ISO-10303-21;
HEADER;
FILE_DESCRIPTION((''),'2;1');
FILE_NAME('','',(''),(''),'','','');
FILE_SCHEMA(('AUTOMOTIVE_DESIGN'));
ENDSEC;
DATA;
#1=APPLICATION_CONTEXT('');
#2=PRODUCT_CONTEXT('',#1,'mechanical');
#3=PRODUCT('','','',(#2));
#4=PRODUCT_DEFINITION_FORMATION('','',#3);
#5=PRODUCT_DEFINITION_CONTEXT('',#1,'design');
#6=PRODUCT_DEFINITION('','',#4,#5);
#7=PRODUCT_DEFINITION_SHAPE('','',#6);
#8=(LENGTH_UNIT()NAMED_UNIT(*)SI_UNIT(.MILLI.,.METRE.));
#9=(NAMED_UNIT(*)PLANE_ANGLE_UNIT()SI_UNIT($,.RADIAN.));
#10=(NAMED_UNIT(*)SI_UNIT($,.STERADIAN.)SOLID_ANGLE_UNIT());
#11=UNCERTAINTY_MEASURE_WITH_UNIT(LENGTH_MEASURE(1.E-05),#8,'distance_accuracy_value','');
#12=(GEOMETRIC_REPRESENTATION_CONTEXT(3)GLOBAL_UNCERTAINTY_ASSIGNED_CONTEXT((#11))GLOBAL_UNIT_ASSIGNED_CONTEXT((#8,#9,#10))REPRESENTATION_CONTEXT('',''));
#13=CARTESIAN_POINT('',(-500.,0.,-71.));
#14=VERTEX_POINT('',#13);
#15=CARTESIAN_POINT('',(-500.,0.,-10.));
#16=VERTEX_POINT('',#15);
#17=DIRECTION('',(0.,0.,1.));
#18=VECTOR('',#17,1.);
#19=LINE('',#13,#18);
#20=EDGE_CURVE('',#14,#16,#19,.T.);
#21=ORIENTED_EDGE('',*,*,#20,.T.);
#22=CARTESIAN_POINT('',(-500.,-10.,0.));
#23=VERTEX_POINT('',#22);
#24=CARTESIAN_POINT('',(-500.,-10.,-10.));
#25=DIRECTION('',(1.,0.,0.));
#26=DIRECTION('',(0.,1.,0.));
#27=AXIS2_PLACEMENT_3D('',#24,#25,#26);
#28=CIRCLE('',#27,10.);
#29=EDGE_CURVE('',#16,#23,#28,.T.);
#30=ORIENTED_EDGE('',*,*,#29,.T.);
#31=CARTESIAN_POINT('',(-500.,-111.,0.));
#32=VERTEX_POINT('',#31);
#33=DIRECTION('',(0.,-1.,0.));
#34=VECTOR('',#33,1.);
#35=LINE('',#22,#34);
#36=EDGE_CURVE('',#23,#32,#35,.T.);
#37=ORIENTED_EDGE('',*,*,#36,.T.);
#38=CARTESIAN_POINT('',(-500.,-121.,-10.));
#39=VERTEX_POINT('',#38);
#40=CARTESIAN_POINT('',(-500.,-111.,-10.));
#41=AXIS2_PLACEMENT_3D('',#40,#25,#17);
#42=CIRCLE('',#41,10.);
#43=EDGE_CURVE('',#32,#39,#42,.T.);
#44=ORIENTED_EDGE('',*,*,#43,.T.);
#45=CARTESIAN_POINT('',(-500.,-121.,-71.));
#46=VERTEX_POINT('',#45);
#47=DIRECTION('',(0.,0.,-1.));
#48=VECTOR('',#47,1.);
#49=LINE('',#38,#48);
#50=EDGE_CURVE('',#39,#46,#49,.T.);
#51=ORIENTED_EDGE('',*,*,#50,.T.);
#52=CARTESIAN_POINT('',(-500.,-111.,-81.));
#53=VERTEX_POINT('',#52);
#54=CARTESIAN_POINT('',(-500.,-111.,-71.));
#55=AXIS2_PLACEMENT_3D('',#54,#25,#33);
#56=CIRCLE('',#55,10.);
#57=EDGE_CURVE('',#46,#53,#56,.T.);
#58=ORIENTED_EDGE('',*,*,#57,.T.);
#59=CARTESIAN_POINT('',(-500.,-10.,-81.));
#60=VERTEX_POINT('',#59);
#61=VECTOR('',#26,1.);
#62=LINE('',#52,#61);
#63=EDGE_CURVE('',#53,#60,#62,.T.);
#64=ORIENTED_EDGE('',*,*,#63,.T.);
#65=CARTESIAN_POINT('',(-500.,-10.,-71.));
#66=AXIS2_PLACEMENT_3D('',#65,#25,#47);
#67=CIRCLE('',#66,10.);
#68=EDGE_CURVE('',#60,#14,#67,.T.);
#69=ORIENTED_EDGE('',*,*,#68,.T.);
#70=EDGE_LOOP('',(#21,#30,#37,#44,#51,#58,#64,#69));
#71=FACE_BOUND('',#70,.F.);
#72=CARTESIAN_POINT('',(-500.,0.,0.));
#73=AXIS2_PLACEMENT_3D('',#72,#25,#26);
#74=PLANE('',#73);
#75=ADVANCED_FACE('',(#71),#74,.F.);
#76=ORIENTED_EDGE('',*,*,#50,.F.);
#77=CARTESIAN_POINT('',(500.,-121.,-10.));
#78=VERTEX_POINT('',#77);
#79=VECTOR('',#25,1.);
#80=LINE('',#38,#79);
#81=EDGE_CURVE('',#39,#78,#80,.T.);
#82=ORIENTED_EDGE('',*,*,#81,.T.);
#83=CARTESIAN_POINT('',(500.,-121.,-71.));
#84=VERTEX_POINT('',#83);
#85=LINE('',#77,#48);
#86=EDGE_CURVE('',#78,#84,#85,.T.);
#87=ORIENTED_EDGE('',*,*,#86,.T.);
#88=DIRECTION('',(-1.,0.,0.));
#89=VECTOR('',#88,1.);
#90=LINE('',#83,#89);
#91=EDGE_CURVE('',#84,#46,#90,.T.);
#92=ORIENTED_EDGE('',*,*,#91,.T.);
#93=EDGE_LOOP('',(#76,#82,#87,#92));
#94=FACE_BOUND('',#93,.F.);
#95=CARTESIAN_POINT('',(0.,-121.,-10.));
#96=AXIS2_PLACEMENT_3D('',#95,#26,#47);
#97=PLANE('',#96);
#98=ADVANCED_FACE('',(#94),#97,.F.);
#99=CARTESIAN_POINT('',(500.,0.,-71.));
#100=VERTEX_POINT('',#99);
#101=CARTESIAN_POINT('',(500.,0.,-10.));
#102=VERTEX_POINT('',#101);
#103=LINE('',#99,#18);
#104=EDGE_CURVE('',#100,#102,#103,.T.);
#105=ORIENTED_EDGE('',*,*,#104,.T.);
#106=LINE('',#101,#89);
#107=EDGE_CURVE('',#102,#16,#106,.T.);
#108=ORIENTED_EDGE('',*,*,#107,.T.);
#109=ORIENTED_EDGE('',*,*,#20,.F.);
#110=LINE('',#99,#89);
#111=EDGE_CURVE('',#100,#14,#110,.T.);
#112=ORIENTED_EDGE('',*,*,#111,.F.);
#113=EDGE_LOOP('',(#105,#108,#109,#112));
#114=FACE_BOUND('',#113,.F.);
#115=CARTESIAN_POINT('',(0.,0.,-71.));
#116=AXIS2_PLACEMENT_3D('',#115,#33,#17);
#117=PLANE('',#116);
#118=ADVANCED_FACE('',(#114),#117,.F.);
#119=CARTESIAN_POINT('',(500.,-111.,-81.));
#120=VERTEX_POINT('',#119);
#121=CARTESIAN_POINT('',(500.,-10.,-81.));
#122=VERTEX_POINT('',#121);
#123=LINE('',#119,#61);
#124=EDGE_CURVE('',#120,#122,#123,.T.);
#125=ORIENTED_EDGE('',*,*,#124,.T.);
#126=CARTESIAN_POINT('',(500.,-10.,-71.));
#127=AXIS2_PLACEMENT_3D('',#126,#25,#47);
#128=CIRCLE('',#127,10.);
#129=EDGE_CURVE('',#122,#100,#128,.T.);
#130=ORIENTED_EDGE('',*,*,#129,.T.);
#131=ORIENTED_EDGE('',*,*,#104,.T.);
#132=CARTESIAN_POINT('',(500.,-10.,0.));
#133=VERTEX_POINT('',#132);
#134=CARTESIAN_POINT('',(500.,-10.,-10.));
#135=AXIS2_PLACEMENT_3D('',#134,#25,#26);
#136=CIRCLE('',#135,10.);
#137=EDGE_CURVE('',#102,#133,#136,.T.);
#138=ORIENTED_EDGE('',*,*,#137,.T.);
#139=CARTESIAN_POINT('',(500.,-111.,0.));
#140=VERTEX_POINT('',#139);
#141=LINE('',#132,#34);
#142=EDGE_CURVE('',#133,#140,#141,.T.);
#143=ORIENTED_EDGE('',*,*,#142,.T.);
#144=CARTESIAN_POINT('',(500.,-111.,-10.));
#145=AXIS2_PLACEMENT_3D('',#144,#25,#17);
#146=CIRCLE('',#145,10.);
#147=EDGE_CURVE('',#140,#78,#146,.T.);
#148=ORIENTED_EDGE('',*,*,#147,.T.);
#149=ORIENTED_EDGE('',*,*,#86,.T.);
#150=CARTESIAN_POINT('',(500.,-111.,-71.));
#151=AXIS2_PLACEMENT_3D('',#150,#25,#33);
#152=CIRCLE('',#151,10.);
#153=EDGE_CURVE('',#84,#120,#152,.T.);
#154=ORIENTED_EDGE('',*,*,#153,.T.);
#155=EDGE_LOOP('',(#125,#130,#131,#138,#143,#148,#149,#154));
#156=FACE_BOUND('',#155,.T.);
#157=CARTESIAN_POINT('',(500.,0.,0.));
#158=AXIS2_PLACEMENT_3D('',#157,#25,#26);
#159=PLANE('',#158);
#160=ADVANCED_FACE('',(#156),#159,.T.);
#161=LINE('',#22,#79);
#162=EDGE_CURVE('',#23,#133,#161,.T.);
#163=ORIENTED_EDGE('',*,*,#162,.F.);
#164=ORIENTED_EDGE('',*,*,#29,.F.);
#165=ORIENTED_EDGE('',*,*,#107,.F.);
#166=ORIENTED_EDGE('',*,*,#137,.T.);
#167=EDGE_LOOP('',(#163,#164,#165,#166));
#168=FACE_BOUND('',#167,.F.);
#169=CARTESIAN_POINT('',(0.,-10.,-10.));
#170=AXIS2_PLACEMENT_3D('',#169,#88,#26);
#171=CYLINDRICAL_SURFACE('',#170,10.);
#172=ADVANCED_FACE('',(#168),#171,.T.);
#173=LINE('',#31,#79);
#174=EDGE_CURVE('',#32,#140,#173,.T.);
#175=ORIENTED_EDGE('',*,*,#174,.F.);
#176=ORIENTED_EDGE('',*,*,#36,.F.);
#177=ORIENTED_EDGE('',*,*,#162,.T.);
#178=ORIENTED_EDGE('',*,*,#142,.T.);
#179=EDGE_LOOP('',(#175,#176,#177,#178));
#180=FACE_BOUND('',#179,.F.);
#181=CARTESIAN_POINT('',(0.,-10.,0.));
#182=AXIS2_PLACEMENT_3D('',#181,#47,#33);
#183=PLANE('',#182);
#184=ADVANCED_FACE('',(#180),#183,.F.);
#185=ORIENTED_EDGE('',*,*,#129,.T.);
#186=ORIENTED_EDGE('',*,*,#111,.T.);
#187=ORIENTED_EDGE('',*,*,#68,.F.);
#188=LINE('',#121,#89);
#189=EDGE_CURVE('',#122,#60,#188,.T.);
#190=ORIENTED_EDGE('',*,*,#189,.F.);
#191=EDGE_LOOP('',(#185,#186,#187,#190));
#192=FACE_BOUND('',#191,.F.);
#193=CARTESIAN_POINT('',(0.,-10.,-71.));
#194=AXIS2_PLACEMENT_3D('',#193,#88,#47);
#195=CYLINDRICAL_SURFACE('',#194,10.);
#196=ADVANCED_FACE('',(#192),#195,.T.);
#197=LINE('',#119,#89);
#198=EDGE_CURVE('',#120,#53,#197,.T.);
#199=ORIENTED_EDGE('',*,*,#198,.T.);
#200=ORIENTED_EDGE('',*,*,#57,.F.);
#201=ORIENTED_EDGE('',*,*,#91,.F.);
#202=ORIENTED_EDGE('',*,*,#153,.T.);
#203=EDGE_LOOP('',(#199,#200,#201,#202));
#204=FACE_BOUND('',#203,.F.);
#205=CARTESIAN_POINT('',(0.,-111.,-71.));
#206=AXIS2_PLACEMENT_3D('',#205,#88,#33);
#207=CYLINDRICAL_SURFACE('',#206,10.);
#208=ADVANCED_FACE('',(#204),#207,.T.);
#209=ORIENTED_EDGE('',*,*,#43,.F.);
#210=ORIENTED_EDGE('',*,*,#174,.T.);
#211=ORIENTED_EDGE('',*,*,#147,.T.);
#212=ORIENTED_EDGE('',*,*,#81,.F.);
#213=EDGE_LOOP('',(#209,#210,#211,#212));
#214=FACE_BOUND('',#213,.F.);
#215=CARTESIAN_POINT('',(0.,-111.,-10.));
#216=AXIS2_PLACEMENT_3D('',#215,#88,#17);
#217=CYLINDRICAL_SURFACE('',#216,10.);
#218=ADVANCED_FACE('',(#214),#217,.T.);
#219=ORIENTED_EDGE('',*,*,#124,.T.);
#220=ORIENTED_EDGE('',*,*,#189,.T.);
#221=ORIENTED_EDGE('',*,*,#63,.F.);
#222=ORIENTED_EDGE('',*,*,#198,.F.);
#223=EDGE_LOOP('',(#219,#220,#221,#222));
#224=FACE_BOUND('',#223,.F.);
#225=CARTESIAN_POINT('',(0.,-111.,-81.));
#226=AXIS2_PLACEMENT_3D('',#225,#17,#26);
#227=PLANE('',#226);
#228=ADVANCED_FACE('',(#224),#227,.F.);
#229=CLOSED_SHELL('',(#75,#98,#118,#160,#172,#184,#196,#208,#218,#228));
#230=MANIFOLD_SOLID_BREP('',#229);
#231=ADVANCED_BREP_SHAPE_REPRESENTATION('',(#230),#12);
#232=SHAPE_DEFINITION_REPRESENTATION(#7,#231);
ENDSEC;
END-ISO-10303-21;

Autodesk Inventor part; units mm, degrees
ref_plane "YZ Plane" through (0, 0, 0) normal (1, 0, 0) x (0, 1, 0)
ref_plane "XZ Plane" through (0, 0, 0) normal (0, 1, 0) x (-1, 0, 0)
ref_plane "XY Plane" through (0, 0, 0) normal (0, 0, 1) x (1, 0, 0)
sketch "Sketch1" plane through (0, 0, 0) normal (1, 0, 0) x (0, 1, 0)
  line L0 (-10, 0) -> (-111, 0)
  line L1 (-121, -10) -> (-121, -71)
  line L2 (-111, -81) -> (-10, -81)
  line L3 (0, -71) -> (0, -10)
  arc A0 (0, -10) -> (-10, 0) centre (-10, -10) ccw
  arc A1 (-10, -81) -> (0, -71) centre (-10, -71) ccw
  arc A2 (-121, -71) -> (-111, -81) centre (-111, -71) ccw
  arc A3 (-111, 0) -> (-121, -10) centre (-111, -10) ccw
  point P0 (0, 0)
  point P1 (-121, -81)
  point P2 (0, -81)
  dimension "d0" = 121
  dimension "d1" = 81
  dimension "d2" = 10
extrude "Extrusion1" add sketch "Sketch1" along normal mid plane 1000
properties part number "Beam"
